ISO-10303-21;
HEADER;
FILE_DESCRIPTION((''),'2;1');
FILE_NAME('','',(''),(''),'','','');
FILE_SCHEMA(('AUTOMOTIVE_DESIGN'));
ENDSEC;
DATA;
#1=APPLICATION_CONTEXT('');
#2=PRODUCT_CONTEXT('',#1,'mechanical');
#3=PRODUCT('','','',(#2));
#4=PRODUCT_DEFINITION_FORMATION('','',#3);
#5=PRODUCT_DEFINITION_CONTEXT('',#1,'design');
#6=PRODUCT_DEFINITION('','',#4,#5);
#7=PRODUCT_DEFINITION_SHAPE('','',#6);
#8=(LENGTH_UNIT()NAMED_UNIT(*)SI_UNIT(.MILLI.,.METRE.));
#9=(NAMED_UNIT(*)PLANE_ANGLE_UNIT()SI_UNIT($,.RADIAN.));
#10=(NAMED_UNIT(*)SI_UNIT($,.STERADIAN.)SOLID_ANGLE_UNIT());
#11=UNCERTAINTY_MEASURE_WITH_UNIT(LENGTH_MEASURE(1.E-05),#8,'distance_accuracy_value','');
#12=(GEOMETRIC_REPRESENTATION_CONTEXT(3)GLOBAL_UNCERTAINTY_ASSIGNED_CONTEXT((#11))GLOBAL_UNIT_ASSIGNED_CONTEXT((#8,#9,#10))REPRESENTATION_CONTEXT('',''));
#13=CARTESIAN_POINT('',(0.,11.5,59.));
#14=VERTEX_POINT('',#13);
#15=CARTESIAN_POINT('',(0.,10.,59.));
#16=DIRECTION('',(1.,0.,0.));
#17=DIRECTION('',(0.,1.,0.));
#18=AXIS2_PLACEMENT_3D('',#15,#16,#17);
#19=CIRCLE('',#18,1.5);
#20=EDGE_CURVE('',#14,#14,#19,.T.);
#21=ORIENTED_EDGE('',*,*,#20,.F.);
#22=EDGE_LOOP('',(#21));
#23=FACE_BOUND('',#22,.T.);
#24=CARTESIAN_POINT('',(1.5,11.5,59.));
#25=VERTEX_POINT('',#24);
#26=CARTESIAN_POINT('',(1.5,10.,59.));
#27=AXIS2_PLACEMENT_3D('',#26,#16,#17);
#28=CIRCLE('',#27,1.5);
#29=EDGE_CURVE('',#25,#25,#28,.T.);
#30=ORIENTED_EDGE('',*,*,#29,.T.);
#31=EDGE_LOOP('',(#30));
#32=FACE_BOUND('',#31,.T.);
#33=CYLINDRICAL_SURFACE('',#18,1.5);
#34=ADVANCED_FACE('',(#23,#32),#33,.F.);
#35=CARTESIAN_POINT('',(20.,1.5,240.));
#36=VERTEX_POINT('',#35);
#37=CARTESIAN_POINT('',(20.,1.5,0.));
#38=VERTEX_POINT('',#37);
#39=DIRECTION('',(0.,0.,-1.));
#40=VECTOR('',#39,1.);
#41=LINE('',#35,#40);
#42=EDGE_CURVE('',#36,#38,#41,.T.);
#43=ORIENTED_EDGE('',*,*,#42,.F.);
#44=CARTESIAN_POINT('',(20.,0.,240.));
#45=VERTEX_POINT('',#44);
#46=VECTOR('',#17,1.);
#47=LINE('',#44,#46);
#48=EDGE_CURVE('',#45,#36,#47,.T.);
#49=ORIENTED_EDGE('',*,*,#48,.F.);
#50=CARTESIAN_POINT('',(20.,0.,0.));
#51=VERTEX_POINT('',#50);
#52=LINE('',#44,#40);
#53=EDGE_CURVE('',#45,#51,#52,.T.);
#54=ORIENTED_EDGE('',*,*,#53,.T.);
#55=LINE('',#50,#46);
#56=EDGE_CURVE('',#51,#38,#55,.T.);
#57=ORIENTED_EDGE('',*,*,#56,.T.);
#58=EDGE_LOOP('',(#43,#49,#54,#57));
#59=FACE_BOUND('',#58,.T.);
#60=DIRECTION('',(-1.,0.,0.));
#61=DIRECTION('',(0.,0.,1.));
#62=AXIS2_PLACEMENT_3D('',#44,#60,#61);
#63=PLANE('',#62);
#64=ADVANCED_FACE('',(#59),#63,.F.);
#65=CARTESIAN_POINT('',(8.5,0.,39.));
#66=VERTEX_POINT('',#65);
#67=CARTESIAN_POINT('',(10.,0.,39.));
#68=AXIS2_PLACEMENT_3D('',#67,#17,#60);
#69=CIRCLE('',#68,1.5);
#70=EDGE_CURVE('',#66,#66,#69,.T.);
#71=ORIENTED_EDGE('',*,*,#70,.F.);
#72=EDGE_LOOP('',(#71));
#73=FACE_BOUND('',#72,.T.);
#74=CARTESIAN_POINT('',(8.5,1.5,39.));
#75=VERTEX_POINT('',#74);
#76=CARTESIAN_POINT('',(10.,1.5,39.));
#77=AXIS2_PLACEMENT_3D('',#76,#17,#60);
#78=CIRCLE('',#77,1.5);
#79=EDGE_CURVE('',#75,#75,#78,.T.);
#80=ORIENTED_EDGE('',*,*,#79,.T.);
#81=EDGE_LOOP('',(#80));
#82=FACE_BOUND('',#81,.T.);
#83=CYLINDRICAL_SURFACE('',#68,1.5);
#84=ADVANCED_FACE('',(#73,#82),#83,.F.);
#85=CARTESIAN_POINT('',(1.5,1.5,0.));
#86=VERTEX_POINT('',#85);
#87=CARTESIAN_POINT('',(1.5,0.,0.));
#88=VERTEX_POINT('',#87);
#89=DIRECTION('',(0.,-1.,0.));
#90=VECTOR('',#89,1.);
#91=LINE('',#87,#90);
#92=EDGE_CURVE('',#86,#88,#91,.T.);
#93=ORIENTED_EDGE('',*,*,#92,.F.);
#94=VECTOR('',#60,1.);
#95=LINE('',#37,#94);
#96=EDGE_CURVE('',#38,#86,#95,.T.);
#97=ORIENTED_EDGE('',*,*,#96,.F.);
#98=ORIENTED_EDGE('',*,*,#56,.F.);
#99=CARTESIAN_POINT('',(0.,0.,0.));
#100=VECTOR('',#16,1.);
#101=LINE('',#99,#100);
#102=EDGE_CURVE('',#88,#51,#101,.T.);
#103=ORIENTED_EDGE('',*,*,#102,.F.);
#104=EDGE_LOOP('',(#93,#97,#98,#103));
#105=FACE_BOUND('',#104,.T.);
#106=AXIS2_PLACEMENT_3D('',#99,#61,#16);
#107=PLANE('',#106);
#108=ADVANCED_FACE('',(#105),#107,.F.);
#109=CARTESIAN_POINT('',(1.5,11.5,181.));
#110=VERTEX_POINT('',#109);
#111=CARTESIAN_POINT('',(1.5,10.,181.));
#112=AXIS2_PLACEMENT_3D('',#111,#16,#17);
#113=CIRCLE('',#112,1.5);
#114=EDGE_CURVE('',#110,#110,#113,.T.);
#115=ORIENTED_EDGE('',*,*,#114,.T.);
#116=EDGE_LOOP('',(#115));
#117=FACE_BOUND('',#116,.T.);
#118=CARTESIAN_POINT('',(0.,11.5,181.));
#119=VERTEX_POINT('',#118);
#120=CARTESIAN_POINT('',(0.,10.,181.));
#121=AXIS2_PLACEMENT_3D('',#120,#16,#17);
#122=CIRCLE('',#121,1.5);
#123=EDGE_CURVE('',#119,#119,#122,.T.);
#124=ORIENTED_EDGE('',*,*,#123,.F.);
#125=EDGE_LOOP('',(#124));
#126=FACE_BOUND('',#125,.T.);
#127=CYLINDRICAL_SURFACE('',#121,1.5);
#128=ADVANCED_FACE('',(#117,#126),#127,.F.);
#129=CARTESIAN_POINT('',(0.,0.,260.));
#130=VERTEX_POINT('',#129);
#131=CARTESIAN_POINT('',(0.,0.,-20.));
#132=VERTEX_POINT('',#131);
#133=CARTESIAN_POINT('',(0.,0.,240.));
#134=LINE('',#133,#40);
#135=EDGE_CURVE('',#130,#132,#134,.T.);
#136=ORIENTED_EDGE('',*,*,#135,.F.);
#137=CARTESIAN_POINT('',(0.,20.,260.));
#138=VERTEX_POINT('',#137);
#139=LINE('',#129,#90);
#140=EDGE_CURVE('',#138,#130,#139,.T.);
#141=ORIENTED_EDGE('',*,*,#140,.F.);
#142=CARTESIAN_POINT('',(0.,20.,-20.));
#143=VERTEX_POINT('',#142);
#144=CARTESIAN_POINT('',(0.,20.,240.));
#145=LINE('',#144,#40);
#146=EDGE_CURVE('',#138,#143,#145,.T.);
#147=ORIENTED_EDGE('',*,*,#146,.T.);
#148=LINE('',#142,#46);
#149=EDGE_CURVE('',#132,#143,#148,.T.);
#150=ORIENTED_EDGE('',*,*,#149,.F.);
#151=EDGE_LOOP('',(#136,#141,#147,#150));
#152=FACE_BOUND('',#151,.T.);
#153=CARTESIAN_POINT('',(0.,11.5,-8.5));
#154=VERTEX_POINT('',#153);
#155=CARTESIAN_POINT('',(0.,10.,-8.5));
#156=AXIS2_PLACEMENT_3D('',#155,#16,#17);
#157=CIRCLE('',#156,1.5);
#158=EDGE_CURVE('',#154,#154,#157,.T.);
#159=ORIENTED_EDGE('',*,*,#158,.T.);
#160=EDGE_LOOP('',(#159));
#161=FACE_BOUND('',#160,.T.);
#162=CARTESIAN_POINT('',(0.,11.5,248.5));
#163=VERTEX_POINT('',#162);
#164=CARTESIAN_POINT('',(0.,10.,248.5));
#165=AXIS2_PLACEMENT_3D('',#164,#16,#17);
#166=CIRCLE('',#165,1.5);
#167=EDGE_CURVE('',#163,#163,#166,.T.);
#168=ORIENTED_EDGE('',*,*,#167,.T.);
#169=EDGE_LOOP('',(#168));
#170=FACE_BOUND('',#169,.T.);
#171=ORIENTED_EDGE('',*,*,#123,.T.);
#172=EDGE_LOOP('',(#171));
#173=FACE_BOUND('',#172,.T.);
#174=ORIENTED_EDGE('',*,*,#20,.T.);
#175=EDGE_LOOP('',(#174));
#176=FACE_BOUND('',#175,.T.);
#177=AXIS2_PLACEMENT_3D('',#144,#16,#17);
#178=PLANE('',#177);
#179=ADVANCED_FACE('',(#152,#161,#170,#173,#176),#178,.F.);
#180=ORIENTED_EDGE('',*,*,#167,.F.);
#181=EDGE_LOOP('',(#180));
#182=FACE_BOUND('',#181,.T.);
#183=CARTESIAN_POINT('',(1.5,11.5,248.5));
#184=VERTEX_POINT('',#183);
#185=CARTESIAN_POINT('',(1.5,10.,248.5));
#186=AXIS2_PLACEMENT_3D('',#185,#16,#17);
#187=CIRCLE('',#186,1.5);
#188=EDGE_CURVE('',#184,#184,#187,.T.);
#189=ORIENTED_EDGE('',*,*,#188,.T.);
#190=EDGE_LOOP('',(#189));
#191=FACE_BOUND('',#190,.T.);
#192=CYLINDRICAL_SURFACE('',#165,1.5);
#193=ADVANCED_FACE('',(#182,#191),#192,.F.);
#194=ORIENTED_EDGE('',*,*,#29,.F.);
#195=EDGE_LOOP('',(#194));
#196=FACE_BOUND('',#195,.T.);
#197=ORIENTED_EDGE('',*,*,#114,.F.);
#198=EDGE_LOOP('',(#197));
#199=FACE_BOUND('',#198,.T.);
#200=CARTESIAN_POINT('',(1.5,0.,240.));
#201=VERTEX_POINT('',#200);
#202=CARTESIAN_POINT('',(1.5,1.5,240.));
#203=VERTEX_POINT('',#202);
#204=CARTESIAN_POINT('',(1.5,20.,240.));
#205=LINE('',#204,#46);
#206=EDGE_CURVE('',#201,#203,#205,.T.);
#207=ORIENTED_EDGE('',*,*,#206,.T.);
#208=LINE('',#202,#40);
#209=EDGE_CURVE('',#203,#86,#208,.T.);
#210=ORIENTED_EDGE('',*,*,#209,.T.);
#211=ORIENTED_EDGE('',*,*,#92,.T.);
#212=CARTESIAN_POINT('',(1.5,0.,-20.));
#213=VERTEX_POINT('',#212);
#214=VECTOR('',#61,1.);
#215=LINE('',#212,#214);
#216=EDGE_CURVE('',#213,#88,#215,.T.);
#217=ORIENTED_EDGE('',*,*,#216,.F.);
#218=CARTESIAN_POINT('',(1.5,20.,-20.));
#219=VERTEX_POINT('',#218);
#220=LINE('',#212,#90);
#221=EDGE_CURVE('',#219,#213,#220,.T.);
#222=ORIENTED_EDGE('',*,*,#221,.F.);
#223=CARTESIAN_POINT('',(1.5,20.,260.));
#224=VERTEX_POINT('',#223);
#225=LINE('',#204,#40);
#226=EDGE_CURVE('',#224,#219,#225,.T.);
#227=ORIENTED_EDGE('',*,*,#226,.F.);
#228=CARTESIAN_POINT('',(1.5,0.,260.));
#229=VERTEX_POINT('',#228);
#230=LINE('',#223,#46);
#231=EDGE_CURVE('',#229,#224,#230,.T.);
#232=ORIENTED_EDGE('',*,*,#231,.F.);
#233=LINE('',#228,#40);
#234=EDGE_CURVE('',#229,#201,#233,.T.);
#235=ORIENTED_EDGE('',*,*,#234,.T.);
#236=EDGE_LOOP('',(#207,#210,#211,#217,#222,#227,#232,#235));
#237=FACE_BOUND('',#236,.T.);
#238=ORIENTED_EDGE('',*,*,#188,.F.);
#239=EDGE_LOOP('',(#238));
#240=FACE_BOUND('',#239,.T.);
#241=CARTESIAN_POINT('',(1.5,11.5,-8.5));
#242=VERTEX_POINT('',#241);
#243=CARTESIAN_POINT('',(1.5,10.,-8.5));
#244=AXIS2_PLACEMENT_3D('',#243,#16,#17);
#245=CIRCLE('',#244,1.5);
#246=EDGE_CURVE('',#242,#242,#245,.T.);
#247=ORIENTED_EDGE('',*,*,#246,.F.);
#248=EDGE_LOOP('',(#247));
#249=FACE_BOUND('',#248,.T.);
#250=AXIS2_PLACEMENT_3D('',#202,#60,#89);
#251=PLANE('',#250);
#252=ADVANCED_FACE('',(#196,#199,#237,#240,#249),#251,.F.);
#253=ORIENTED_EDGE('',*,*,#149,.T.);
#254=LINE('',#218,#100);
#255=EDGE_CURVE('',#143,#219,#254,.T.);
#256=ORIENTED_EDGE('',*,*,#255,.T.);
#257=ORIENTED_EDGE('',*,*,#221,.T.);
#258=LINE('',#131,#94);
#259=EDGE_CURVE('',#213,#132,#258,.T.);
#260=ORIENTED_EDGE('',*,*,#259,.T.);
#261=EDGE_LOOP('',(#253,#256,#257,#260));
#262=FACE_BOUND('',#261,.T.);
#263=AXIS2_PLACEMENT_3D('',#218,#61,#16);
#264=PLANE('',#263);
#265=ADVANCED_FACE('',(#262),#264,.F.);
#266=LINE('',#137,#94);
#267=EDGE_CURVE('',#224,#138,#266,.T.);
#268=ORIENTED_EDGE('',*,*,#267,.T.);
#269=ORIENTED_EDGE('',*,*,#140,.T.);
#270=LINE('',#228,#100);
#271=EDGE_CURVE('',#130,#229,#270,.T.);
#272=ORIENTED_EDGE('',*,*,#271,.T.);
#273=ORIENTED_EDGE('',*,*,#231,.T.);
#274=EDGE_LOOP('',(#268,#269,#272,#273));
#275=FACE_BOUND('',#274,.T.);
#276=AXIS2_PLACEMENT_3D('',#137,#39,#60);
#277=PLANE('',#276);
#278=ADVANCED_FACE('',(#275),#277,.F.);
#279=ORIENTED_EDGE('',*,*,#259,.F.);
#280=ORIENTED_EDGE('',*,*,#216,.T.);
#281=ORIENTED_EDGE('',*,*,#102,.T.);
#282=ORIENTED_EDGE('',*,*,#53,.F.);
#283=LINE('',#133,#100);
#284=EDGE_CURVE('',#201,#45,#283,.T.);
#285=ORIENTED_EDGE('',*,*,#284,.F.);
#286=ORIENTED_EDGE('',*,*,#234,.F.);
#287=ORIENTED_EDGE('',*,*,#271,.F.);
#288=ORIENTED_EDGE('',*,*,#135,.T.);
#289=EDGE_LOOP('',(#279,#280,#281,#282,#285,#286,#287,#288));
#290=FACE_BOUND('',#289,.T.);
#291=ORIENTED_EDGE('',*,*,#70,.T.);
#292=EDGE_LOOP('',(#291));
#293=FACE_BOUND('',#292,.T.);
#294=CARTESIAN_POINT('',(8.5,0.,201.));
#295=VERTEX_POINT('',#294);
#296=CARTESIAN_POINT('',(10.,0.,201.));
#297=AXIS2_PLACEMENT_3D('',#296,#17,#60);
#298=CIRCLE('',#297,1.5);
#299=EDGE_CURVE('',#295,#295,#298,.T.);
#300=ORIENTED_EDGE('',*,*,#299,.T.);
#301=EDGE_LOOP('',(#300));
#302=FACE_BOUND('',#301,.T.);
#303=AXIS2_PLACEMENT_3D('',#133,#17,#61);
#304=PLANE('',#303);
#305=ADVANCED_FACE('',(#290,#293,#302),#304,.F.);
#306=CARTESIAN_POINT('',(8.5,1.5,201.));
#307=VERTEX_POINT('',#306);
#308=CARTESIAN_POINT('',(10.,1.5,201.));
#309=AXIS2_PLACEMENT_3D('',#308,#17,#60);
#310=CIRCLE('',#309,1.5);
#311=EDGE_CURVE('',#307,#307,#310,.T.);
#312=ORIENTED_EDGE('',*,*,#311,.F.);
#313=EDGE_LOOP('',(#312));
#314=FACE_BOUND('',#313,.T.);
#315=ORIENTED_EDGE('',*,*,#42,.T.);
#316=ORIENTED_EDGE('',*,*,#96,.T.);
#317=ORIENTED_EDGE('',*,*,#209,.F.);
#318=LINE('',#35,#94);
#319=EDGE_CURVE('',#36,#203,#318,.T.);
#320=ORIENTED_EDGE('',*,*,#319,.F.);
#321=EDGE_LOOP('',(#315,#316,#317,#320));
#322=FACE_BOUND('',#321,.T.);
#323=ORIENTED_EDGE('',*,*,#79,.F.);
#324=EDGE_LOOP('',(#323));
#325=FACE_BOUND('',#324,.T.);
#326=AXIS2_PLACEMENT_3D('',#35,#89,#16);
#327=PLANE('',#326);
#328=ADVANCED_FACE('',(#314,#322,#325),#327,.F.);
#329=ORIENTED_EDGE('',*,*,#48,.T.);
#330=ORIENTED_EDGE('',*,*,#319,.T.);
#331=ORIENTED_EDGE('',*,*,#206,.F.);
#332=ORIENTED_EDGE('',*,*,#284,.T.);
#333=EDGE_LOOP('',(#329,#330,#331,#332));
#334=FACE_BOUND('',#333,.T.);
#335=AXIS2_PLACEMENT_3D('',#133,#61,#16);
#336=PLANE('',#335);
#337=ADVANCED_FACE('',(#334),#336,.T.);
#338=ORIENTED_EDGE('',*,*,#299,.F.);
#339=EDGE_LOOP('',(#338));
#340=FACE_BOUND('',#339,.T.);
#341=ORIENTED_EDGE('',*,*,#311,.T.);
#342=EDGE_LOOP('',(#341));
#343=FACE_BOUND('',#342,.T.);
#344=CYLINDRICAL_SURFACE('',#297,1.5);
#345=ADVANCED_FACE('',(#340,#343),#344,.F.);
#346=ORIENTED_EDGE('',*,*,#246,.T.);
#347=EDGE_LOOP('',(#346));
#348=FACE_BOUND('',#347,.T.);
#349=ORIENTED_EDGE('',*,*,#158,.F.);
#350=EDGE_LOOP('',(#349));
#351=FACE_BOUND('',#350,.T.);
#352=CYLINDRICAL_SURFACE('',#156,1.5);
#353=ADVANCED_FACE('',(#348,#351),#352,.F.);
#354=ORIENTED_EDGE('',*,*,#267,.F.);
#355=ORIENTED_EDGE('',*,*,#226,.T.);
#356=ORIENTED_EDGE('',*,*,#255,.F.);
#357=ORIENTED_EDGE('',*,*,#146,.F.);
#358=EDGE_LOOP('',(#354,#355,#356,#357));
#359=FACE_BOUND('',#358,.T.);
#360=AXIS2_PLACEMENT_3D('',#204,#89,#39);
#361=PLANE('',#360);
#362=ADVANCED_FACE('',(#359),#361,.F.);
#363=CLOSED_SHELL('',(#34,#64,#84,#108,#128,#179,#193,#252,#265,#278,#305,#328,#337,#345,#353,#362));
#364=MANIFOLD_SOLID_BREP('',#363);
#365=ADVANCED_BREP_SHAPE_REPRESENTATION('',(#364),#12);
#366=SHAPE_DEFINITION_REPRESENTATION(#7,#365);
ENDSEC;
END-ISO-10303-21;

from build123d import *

# Parameters (mm, degrees)
EXTRUSION1_DEPTH = 240
ESQUISSE2_R      = 1.5
EXTRUSION2_DEPTH = 242.541404318
ESQUISSE3_W      = 1.5
ESQUISSE3_H      = 20
EXTRUSION3_DEPTH = 20
ESQUISSE5_W      = 1.5
ESQUISSE5_H      = 20
EXTRUSION4_DEPTH = 20
ESQUISSE6_R      = 1.5
EXTRUSION5_DEPTH = 262.423506977


with BuildPart() as part:
    # Esquisse1 → Extrusion1 (new body)
    with BuildSketch(Plane.XY):
        Polygon((0, 0), (20, 0), (20, 1.5), (1.5, 1.5), (1.5, 20), (0, 20), align=None)
    extrude(amount=EXTRUSION1_DEPTH)

    # Esquisse2 → Extrusion2 (cut, through all)
    with BuildSketch(Plane(origin=(0, 1.5, 0), x_dir=(1, 0, 0), z_dir=(0, 1, 0))):
        with Locations(Location((10, -39, 0), (0, 0, 180))):
            Circle(ESQUISSE2_R)
        with Locations(Location((10, -201, 0), (0, 0, 180))):
            Circle(ESQUISSE2_R)
    extrude(amount=-EXTRUSION2_DEPTH, mode=Mode.SUBTRACT)

    # Esquisse3 → Extrusion3 (add)
    with BuildSketch(Plane.XY.offset(240)):
        with Locations((0.75, 10)):
            Rectangle(ESQUISSE3_W, ESQUISSE3_H)
    extrude(amount=EXTRUSION3_DEPTH)

    # Esquisse5 → Extrusion4 (add)
    with BuildSketch(Plane(origin=(0, 0, 0), x_dir=(-1, 0, 0), z_dir=(0, 0, -1))):
        with Locations((-0.75, 10)):
            Rectangle(ESQUISSE5_W, ESQUISSE5_H)
    extrude(amount=EXTRUSION4_DEPTH)

    # Esquisse6 → Extrusion5 (cut, through all)
    with BuildSketch(Plane(origin=(1.5, 0, 0), x_dir=(0, 0, -1), z_dir=(1, 0, 0))):
        with Locations(Location((-248.5, 10, 0), (0, 0, 90))):
            Circle(ESQUISSE6_R)
        with Locations(Location((8.5, 10, 0), (0, 0, 90))):
            Circle(ESQUISSE6_R)
        with Locations(Location((-181, 10, 0), (0, 0, 90))):
            Circle(ESQUISSE6_R)
        with Locations(Location((-59, 10, 0), (0, 0, 90))):
            Circle(ESQUISSE6_R)
    extrude(amount=-EXTRUSION5_DEPTH, mode=Mode.SUBTRACT)


solid = part.part
